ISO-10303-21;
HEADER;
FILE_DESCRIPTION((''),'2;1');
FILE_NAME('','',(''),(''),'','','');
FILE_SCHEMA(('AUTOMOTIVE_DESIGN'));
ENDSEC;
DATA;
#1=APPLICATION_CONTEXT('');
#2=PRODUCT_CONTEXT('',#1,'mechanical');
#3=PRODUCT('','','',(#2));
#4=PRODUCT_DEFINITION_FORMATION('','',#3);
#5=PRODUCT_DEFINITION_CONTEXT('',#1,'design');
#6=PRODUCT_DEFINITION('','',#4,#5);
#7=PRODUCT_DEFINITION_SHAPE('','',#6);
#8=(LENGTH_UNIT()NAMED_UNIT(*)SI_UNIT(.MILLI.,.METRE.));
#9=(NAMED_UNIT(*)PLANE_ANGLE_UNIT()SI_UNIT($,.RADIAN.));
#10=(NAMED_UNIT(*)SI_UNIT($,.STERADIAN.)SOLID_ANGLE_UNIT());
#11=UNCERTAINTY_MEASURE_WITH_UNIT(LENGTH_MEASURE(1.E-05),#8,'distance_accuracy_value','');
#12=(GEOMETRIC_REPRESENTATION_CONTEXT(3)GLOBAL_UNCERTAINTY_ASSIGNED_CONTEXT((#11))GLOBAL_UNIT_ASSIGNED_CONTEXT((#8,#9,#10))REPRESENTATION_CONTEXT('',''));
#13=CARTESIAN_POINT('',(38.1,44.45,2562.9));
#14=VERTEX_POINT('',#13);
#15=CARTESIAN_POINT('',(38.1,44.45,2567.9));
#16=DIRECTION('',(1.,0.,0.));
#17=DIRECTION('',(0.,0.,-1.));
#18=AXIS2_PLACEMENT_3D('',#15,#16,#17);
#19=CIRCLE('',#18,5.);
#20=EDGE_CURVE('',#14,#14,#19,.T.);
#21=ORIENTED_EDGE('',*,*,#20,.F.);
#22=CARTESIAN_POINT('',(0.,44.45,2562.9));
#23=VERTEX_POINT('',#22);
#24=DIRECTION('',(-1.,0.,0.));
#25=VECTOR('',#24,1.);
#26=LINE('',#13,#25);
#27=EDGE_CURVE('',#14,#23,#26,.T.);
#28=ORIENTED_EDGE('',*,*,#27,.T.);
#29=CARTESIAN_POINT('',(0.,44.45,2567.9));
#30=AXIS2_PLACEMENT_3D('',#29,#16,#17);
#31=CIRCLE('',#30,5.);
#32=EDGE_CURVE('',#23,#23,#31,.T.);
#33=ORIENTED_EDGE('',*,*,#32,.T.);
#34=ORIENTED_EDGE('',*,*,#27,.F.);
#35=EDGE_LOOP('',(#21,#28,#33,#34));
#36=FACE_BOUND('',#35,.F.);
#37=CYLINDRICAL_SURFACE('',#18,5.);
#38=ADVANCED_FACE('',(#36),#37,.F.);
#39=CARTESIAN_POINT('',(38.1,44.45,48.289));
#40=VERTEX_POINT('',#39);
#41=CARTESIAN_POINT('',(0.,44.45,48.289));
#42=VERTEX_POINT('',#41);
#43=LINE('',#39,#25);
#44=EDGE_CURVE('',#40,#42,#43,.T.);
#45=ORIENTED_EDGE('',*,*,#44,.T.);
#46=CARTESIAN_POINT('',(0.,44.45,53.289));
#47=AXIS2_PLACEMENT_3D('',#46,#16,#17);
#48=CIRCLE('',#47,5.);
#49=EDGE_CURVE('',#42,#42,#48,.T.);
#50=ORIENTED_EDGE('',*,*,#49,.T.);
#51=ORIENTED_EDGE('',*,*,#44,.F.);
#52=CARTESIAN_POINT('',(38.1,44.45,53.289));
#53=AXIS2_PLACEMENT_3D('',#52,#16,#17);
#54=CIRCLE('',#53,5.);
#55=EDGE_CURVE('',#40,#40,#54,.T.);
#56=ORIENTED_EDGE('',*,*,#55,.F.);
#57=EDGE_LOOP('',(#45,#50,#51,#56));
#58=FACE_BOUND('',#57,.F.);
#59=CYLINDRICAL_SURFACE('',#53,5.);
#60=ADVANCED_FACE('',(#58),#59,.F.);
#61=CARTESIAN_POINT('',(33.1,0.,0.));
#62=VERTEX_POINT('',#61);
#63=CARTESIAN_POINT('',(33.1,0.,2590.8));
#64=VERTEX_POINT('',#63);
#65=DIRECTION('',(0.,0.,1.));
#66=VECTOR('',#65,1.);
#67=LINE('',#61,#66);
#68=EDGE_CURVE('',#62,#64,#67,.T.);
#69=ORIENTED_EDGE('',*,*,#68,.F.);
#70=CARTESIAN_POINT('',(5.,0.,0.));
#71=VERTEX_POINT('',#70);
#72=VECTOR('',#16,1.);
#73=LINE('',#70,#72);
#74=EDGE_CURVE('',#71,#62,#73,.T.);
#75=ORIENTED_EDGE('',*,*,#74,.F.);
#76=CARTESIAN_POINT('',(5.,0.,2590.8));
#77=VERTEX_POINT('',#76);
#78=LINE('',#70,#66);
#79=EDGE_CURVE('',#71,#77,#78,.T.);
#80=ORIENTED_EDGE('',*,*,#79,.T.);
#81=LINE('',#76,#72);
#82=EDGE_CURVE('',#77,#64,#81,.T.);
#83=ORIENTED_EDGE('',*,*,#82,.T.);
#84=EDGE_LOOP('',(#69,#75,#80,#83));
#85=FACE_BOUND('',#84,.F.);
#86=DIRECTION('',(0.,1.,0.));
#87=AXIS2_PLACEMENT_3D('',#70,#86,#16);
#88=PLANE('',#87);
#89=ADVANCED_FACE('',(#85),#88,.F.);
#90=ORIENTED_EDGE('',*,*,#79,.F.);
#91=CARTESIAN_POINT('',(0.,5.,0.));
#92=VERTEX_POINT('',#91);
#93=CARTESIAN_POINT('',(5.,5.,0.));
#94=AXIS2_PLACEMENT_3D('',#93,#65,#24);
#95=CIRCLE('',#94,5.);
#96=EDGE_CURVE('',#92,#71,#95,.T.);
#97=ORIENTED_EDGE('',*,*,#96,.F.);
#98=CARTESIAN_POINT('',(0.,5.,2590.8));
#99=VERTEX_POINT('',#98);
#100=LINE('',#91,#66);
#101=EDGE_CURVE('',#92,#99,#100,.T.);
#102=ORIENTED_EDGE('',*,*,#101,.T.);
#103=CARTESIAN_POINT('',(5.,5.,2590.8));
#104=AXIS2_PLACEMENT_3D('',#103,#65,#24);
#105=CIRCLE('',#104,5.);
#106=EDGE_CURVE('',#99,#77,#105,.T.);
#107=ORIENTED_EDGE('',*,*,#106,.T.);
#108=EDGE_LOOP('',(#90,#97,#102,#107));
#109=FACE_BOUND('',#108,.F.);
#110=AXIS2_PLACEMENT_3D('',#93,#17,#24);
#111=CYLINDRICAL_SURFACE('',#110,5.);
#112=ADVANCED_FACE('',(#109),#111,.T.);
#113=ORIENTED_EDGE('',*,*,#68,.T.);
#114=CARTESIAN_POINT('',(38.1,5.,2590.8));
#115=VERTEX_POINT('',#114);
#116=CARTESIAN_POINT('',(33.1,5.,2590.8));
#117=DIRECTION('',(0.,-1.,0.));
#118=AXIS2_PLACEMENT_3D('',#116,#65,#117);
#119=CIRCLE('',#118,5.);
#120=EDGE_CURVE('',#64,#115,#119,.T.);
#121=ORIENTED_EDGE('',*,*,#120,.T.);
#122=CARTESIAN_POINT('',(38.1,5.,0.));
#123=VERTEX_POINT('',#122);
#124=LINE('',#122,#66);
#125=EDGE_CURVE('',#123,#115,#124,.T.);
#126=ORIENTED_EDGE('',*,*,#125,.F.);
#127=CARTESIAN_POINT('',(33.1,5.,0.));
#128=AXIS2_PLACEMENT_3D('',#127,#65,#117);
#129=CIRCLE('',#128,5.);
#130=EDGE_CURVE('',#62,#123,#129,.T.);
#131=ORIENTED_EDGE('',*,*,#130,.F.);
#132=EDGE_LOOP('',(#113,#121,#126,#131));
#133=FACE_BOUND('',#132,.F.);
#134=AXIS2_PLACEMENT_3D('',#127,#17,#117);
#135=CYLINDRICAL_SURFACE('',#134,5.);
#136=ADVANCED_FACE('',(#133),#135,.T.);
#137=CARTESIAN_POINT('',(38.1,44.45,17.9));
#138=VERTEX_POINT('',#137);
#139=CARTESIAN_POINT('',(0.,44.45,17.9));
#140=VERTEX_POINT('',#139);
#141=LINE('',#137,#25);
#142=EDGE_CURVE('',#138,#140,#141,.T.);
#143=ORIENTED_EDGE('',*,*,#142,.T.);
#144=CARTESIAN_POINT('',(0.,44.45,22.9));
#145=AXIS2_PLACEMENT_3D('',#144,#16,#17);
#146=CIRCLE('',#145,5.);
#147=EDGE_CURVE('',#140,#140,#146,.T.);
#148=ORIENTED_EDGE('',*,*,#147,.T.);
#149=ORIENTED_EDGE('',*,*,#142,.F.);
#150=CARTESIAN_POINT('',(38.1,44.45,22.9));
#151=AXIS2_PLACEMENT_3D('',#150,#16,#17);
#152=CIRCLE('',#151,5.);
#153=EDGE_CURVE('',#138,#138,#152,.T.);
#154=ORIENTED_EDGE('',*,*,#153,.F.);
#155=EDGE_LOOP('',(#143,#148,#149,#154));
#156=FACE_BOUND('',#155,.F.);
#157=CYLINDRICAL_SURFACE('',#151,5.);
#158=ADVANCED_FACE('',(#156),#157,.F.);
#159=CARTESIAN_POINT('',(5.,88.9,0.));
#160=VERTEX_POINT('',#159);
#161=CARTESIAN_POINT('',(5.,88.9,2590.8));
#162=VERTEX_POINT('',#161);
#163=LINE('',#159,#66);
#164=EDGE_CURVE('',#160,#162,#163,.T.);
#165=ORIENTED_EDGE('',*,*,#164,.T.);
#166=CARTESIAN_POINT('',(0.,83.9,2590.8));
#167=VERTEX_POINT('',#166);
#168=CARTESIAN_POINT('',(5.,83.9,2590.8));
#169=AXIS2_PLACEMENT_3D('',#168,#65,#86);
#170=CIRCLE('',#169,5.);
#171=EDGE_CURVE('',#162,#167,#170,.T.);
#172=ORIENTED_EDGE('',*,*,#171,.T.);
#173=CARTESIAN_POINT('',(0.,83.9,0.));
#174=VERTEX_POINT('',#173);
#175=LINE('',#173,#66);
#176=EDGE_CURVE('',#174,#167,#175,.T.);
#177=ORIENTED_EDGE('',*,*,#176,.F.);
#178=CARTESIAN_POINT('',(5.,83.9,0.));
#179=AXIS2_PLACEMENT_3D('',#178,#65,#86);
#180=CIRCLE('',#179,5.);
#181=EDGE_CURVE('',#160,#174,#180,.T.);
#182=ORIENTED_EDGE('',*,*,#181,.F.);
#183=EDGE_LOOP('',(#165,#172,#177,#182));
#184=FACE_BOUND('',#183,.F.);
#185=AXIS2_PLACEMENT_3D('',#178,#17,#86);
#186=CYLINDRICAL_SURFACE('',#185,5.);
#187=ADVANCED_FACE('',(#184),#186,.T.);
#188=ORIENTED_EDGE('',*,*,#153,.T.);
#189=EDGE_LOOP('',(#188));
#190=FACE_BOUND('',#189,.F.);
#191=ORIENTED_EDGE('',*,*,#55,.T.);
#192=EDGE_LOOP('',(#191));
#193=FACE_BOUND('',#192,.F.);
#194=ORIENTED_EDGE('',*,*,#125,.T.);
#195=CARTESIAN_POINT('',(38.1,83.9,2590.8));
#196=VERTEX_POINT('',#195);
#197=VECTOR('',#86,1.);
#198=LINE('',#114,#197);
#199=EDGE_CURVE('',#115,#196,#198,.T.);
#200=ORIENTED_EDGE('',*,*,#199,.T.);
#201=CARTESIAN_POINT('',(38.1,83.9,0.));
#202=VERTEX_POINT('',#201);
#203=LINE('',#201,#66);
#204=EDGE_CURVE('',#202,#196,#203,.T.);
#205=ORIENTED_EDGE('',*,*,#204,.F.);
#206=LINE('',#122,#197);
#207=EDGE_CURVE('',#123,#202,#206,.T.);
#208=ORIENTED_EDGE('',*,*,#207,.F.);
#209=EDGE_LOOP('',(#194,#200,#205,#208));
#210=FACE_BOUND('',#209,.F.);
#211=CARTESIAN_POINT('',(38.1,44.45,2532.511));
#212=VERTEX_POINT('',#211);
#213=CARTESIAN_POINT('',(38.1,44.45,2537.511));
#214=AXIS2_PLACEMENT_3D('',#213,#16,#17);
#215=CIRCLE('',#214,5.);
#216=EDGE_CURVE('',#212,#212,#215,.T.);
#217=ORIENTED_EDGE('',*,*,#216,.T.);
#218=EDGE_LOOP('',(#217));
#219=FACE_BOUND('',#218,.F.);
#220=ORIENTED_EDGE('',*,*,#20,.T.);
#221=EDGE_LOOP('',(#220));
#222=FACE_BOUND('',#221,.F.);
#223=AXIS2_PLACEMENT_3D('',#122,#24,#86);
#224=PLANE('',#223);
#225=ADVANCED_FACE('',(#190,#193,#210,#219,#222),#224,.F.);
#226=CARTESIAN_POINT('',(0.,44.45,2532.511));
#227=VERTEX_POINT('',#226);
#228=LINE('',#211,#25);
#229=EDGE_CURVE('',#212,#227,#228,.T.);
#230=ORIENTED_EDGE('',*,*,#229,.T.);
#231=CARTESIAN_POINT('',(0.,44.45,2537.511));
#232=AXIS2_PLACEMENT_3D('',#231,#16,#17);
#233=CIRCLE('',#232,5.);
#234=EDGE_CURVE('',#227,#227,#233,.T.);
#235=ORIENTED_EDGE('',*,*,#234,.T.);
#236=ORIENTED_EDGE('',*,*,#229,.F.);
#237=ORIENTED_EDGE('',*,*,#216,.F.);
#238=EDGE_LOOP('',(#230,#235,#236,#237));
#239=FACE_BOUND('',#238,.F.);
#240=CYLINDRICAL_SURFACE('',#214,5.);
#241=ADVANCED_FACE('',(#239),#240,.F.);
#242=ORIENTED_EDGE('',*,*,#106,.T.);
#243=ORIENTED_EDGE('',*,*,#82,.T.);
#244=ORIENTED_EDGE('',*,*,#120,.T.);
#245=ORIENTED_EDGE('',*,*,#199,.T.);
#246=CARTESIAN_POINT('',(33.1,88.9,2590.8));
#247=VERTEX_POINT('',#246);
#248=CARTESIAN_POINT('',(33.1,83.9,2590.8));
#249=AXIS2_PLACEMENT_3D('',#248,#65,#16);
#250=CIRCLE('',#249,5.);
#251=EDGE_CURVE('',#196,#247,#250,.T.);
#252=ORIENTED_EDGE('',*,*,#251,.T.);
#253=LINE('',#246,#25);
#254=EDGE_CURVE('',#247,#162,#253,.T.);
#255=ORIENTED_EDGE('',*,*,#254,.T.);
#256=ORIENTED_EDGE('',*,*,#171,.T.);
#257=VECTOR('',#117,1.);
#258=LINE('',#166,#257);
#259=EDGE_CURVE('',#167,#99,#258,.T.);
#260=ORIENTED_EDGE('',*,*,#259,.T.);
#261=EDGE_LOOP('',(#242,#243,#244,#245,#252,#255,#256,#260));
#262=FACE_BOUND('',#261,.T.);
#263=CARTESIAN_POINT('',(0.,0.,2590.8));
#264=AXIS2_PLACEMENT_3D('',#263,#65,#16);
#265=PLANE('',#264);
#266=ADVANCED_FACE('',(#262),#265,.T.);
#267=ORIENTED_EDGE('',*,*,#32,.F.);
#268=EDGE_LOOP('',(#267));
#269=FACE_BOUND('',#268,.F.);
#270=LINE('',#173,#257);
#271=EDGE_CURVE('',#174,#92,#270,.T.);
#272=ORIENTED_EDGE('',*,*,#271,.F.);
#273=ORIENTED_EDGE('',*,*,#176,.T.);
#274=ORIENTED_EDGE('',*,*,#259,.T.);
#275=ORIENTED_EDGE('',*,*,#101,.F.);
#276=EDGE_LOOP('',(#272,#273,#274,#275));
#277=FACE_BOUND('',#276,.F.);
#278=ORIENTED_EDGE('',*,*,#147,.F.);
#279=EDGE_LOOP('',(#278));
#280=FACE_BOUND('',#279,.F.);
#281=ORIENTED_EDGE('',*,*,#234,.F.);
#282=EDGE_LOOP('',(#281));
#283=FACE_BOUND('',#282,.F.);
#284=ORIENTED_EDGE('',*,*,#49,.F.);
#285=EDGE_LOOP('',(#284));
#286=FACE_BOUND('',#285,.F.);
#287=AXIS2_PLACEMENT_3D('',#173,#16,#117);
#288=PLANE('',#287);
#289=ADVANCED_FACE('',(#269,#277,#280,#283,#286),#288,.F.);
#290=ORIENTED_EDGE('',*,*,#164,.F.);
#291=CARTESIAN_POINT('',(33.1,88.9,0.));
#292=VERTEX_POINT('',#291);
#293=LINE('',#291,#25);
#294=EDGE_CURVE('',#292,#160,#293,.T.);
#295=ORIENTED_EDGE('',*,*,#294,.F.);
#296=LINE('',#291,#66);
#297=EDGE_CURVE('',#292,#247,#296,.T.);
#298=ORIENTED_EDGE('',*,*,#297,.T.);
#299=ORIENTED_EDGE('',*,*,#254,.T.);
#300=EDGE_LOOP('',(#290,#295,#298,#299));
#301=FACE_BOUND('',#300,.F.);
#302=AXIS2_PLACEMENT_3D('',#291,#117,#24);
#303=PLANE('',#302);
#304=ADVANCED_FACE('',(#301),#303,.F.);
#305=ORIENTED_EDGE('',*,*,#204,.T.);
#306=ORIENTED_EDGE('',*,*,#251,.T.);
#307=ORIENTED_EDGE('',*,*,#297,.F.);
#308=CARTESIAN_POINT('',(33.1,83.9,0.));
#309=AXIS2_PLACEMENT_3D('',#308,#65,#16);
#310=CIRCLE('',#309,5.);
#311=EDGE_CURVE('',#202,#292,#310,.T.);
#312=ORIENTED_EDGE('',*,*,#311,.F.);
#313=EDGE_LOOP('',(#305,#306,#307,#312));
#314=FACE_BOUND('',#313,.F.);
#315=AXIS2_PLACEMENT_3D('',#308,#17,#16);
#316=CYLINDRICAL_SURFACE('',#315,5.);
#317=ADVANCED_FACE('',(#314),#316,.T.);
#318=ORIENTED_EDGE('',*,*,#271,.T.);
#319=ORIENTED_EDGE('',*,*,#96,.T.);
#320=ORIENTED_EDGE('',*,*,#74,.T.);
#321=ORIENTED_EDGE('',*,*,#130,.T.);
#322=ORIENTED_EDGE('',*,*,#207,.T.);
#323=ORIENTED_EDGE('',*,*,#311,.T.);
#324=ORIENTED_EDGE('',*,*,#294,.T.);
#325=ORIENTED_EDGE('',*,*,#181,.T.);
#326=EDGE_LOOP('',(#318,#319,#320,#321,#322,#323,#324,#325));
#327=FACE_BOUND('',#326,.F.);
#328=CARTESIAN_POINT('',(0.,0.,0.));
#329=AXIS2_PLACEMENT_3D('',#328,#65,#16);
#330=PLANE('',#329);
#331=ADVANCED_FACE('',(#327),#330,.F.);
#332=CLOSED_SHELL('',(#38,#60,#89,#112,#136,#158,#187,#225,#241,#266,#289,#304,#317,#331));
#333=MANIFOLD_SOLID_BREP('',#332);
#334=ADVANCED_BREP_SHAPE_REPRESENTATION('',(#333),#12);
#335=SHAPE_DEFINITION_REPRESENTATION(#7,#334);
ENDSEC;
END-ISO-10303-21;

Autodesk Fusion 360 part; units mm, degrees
sketch "Sketch1" plane through (0, 0, 0) normal (0, 0, 1) x (1, 0, 0)
  line L0 (5, 0) -> (33.1, 0)
  line L1 (38.1, 5) -> (38.1, 83.9)
  line L2 (33.1, 88.9) -> (5, 88.9)
  line L3 (0, 83.9) -> (0, 5)
  arc A0 (38.1, 83.9) -> (33.1, 88.9) centre (33.1, 83.9) ccw
  arc A1 (5, 88.9) -> (0, 83.9) centre (5, 83.9) ccw
  arc A2 (0, 5) -> (5, 0) centre (5, 5) ccw
  arc A3 (33.1, 0) -> (38.1, 5) centre (33.1, 5) ccw
  point P0 (38.1, 0)
  point P1 (0, 88.9)
  dimension "d1" = 38.1
  dimension "d2" = 88.9
  dimension "d3" = 5
extrude "Extrude1" add sketch "Sketch1" along normal blind 2590.8
sketch "Sketch2" plane through (38.1, 0, 0) normal (1, 0, 0) x (0, 0, -1)
  line L0 (0, 5) -> (0, 83.9)
  line L1 (0, 83.9) -> (-2590.8, 83.9)
  line L2 (-2590.8, 83.9) -> (-2590.8, 5)
  line L3 (-2590.8, 5) -> (0, 5)
  line L4 (0, 44.45) -> (-22.9, 44.45) construction
  circle A0 centre (-22.9, 44.45) radius 5
  line L5 (-22.9, 44.45) -> (-53.289, 44.45) construction
  circle A1 centre (-53.289, 44.45) radius 5
  circle A2 centre (-2537.511, 44.45) radius 5
  circle A3 centre (-2567.9, 44.45) radius 5
  line L6 (-2590.8, 44.45) -> (-2567.9, 44.45) construction
  line L7 (-2567.9, 44.45) -> (-2537.511, 44.45) construction
  dimension "d6" = 22.9
  dimension "d7" = 10
  dimension "d8" = 30.389
  dimension "d9" = 10
  dimension "d10" = 22.9
  dimension "d11" = 10
  dimension "d12" = 30.389
  dimension "d13" = 10
extrude "Extrude2" cut sketch "Sketch2" against normal up to surface (38.1 mm away) contours A0 | A1 | A2 | A3
